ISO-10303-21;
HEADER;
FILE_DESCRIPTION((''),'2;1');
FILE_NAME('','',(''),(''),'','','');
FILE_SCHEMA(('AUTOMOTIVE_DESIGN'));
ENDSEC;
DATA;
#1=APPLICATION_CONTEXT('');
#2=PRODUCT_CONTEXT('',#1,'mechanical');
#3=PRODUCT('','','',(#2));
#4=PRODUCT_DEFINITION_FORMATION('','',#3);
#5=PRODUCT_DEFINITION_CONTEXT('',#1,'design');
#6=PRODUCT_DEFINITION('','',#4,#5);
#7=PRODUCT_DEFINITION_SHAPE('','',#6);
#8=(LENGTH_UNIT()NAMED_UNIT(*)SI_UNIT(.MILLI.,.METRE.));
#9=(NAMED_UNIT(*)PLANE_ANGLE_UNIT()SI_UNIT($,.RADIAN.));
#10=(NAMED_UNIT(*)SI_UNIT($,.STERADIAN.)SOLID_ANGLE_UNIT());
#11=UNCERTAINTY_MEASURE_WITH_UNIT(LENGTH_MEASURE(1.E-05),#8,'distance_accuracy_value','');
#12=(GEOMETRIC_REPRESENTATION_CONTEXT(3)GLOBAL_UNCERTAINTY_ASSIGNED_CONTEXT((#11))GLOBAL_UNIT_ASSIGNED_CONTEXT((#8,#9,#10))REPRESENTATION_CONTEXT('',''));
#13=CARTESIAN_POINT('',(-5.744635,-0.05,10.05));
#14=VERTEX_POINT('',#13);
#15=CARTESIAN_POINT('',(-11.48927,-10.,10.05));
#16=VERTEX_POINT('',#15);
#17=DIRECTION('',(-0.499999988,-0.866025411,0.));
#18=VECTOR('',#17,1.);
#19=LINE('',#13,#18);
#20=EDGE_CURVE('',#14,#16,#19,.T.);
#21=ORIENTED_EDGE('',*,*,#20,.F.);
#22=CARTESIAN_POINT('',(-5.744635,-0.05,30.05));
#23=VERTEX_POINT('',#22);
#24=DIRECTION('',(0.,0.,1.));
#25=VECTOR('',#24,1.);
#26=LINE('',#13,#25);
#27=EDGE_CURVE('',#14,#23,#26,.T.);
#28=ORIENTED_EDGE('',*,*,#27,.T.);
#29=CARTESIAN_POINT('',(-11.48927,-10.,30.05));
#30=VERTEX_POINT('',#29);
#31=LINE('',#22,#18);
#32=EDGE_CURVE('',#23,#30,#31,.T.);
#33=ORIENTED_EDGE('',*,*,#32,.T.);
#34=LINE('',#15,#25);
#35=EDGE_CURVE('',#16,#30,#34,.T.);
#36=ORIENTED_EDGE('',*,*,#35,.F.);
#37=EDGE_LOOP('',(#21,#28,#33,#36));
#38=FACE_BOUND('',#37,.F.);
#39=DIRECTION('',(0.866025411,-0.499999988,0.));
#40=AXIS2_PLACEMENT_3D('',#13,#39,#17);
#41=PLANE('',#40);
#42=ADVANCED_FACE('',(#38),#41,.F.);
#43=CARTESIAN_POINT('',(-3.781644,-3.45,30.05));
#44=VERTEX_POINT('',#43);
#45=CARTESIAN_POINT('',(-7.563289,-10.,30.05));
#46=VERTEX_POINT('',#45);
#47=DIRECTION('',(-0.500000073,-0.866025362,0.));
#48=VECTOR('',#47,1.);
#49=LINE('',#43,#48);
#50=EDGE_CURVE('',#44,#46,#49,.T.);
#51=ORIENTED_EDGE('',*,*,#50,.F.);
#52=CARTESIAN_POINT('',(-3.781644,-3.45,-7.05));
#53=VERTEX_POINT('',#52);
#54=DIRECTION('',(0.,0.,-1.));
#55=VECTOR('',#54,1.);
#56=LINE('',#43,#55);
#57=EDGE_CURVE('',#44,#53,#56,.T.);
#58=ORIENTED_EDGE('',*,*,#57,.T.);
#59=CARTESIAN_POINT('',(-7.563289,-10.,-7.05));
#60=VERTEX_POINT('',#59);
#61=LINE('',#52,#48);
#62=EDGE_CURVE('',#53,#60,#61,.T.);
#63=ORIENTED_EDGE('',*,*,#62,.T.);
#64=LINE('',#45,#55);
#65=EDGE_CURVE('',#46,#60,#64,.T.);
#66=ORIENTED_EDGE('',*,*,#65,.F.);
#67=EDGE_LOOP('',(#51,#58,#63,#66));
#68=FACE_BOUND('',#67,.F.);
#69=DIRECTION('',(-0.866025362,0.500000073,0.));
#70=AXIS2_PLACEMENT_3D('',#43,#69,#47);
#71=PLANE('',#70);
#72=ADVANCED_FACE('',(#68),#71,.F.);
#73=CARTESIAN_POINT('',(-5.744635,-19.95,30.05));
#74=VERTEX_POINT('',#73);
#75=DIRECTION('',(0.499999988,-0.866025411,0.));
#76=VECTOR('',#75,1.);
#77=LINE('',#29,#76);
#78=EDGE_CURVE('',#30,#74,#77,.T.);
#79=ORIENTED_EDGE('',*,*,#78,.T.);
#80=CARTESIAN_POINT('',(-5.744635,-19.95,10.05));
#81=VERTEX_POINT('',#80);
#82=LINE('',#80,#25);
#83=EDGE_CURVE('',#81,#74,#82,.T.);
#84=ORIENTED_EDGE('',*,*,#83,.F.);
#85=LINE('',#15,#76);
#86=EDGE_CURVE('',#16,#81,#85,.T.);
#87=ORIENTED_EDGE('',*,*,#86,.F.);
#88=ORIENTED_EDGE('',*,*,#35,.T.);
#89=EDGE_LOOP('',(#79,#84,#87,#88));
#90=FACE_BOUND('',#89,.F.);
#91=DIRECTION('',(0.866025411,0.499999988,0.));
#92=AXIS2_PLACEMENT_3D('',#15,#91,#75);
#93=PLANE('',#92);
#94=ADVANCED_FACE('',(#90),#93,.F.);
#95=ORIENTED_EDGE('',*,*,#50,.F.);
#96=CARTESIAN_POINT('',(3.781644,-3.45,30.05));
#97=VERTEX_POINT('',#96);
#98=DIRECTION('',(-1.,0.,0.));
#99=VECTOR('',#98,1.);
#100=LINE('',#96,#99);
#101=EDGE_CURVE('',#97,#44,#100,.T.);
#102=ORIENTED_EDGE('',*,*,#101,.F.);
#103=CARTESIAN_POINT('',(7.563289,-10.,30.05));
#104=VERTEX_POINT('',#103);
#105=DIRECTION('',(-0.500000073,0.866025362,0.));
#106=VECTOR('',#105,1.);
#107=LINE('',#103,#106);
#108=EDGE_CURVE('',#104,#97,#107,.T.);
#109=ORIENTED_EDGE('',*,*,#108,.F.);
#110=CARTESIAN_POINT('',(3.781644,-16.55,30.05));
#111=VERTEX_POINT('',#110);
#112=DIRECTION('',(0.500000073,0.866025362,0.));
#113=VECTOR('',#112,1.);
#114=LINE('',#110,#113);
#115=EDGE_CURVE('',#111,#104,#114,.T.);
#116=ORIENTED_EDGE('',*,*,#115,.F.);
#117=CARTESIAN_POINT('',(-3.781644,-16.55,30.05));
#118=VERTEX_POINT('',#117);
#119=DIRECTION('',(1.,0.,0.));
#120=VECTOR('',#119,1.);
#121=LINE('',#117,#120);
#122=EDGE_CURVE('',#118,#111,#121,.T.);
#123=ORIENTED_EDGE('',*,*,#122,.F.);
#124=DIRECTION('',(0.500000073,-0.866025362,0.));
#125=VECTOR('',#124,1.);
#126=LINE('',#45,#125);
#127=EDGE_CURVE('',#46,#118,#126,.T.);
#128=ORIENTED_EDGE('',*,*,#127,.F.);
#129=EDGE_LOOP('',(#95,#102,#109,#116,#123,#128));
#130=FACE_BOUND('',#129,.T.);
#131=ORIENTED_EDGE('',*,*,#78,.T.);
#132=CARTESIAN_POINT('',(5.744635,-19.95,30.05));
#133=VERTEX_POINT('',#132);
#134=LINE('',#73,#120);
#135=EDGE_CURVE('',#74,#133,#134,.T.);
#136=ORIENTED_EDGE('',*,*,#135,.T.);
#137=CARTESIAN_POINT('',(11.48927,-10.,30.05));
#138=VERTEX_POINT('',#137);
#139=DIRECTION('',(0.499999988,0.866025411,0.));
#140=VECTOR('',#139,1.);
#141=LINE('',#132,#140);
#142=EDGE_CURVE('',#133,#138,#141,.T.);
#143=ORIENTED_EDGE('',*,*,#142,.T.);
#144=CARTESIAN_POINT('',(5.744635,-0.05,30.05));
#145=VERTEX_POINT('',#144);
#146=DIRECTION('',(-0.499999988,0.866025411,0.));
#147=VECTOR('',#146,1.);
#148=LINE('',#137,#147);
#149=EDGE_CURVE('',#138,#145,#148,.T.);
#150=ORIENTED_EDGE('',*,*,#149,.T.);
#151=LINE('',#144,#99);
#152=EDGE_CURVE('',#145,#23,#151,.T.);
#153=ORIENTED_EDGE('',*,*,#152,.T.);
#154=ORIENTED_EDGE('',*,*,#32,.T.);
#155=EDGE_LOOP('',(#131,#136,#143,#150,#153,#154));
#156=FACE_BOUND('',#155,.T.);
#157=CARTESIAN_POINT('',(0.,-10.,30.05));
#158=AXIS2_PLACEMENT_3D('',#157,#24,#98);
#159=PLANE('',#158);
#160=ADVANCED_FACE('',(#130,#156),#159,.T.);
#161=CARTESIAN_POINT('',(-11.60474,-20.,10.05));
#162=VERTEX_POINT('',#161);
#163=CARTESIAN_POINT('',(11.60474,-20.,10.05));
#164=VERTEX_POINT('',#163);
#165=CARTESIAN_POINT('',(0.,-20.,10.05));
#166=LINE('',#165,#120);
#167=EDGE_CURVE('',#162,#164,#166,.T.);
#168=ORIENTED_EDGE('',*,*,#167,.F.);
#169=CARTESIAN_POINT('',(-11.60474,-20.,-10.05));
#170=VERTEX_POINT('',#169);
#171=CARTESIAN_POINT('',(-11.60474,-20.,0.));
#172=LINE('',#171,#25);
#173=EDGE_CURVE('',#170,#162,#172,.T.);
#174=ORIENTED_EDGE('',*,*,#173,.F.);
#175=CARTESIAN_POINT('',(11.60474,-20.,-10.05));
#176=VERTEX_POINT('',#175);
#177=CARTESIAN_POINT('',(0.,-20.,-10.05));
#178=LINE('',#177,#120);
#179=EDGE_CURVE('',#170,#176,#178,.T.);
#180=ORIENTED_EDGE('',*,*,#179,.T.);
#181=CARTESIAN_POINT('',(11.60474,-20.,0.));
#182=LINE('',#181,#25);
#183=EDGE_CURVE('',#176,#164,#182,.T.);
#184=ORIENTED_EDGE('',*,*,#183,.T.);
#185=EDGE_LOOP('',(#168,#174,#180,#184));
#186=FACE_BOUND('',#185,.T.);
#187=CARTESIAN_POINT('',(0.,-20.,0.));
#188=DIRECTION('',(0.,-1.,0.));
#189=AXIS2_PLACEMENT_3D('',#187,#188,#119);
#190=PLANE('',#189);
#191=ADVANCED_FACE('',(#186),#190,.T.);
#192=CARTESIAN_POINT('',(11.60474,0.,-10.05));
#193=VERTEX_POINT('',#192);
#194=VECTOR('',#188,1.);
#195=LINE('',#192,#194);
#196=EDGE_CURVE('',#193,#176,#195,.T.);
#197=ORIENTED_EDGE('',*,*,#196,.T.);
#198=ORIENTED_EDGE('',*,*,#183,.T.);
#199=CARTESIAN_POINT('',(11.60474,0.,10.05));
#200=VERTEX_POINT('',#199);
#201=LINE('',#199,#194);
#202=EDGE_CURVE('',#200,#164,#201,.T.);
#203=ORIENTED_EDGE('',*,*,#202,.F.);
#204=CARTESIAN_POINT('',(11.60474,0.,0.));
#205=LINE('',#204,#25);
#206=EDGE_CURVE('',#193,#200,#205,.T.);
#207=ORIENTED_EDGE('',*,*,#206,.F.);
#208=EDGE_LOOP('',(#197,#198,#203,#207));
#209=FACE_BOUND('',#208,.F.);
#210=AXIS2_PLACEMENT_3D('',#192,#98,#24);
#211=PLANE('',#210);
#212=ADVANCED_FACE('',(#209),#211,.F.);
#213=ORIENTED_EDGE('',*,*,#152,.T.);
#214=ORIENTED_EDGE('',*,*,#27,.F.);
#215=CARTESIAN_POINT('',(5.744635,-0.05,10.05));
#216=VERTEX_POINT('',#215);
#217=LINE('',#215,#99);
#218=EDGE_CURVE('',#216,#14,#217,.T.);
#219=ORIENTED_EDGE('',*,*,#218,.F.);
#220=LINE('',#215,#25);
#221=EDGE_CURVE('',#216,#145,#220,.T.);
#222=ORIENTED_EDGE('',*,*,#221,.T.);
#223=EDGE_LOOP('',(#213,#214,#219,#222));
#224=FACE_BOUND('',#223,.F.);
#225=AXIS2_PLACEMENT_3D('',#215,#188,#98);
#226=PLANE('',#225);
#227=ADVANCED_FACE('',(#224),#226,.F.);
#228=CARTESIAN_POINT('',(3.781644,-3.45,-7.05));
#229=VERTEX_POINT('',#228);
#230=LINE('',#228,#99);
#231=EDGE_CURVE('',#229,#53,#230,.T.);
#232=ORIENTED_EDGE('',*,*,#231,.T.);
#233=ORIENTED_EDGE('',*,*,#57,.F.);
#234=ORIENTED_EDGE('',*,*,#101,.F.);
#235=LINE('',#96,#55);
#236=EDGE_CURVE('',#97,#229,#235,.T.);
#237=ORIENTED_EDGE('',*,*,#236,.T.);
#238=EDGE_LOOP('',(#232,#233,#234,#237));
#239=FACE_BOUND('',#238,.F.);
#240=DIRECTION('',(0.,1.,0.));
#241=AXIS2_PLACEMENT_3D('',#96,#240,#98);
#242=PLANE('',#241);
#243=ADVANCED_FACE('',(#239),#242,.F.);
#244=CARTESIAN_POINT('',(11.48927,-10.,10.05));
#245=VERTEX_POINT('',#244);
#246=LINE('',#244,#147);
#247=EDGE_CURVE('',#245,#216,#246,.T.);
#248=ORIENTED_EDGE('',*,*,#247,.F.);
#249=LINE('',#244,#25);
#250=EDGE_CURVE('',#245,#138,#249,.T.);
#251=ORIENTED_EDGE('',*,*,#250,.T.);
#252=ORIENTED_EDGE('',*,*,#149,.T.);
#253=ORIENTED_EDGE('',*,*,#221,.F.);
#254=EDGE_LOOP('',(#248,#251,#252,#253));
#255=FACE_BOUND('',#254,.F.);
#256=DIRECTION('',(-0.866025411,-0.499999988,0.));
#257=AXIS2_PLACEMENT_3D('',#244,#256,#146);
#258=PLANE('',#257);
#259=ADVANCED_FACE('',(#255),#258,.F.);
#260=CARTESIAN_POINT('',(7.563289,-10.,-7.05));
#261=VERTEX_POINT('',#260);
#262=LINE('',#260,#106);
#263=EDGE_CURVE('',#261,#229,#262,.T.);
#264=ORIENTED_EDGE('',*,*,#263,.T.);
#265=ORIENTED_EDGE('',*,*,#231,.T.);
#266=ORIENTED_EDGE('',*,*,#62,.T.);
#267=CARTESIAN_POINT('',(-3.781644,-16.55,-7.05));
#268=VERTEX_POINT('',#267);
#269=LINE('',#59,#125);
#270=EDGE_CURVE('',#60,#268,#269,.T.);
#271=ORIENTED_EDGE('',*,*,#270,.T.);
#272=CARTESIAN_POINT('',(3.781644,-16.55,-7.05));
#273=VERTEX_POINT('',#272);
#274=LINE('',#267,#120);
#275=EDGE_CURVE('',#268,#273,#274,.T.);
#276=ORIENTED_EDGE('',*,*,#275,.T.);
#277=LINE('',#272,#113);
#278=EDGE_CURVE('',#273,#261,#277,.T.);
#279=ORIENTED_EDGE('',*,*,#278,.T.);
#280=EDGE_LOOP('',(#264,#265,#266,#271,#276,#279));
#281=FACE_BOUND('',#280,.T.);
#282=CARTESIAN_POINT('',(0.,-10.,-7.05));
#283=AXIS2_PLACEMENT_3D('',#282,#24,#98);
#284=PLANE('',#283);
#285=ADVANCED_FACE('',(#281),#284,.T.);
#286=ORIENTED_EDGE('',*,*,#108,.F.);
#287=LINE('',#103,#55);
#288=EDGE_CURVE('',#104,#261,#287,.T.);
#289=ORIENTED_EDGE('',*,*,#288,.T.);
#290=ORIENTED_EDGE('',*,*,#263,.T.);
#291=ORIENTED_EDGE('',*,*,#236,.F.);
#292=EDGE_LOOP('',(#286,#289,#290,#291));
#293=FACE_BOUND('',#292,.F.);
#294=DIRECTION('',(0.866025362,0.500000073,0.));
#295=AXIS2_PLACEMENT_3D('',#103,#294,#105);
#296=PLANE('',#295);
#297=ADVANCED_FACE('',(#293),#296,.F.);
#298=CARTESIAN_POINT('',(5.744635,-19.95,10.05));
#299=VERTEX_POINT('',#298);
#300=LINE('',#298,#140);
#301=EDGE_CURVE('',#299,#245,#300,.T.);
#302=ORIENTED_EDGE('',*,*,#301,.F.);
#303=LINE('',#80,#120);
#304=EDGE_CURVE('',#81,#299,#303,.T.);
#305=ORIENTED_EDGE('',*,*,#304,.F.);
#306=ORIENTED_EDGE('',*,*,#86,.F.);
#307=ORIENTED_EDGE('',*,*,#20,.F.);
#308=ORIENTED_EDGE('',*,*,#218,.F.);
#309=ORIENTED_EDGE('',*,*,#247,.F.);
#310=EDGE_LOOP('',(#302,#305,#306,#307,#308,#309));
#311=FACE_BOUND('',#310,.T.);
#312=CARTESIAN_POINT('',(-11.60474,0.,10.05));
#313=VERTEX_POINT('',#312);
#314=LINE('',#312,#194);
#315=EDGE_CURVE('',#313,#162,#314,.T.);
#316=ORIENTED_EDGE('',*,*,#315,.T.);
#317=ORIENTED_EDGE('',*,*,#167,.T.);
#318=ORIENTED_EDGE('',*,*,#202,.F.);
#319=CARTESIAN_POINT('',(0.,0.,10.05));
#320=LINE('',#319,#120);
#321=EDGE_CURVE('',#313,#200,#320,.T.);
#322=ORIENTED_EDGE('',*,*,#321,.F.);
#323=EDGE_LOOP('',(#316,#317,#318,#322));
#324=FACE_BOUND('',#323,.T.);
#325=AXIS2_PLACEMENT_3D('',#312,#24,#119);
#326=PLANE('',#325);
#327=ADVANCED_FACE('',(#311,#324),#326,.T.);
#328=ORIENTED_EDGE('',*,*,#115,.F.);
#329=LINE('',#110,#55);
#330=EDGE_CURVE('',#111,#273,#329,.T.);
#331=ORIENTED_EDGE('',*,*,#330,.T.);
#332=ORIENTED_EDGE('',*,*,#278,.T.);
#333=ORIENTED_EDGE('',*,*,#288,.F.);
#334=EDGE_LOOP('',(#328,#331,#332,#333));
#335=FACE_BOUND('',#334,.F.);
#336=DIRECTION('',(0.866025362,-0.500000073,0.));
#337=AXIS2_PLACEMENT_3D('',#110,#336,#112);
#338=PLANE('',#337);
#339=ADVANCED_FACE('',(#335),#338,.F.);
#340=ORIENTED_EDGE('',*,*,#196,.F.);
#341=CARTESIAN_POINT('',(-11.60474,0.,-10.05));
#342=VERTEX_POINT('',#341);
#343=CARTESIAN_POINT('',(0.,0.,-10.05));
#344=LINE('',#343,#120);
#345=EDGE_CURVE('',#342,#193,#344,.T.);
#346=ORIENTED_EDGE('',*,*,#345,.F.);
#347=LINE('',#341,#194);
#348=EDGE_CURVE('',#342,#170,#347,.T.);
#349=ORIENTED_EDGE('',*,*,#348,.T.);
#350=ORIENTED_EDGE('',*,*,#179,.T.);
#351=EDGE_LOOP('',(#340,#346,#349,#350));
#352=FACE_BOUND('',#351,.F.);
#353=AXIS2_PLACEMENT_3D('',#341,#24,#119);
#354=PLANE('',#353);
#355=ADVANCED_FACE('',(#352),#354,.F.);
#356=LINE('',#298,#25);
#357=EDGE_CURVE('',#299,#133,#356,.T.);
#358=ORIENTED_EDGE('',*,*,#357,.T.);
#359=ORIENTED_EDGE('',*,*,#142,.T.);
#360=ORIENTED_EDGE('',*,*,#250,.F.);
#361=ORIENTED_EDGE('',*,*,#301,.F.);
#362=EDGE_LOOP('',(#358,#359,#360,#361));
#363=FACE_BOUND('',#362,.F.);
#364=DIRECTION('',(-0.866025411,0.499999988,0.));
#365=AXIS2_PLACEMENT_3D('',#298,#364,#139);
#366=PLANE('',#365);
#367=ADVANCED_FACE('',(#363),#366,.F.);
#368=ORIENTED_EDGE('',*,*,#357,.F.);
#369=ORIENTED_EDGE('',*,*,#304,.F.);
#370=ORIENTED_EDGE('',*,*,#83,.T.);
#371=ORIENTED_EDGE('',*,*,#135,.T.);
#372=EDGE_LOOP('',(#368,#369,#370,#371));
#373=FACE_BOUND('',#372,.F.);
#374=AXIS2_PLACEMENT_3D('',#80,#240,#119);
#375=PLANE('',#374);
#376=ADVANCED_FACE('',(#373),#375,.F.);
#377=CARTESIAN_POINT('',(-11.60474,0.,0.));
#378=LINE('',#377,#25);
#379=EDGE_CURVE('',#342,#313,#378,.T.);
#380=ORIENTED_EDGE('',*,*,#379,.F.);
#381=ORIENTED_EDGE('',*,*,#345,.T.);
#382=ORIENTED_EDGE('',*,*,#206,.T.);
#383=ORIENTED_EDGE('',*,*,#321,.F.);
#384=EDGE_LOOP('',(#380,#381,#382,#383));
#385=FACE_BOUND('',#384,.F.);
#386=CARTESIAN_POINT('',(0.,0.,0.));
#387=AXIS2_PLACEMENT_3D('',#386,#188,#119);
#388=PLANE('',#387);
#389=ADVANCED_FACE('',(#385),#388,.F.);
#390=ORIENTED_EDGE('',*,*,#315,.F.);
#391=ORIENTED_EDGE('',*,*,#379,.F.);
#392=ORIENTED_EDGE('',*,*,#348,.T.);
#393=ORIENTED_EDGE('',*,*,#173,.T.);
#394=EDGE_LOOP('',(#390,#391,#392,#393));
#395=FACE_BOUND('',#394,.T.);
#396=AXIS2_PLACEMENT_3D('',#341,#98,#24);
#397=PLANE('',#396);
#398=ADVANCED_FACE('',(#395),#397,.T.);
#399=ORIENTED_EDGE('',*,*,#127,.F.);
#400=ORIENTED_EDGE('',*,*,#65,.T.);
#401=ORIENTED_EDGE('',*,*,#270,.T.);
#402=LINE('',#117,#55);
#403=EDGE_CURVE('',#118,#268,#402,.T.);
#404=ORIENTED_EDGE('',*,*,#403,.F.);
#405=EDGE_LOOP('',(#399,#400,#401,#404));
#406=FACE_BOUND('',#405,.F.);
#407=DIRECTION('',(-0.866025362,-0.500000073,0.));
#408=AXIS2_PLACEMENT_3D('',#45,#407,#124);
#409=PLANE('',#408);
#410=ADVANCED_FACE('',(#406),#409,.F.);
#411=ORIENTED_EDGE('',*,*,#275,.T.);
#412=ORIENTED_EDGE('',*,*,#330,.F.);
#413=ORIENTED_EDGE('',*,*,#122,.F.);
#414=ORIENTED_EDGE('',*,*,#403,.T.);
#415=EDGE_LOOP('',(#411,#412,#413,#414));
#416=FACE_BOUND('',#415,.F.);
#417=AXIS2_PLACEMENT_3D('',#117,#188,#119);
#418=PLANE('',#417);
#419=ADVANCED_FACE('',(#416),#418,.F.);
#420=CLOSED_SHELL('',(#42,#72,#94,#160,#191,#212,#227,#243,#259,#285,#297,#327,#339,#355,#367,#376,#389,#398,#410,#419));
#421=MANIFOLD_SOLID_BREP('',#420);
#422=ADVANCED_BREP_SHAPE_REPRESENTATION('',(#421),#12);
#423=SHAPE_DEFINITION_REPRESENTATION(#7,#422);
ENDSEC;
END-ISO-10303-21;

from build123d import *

# Parameters (mm, degrees)
SKETCH_W     = 23.20948
SKETCH_H     = 20.1
PAD_DEPTH    = 20
PAD001_DEPTH = 20
POCKET_DEPTH = 37.1


with BuildPart() as part:
    # Sketch → Pad (new body)
    with BuildSketch(Plane.XZ):
        Rectangle(SKETCH_W, SKETCH_H)
    extrude(amount=PAD_DEPTH)

    # Sketch001 (on DatumPlane) → Pad001 (join)
    with BuildSketch(Plane(origin=(0, 0, 10.05), x_dir=(-1, 0, 0), z_dir=(0, 0, 1))):
        Polygon((-5.744635, 19.95), (-11.48927, 10), (-5.744635, 0.05), (5.744635, 0.05), (11.48927, 10), (5.744635, 19.95), align=None)
    extrude(amount=PAD001_DEPTH)

    # Sketch002 (on Face13 of Pad001) → Pocket (cut)
    with BuildSketch(Plane(origin=(0, 0, 30.05), x_dir=(-1, 0, 0), z_dir=(0, 0, 1))):
        Polygon((3.781644, 16.55), (-3.781644, 16.55), (-7.563289, 10), (-3.781644, 3.45), (3.781644, 3.45), (7.563289, 10), align=None)
    extrude(amount=-POCKET_DEPTH, mode=Mode.SUBTRACT)


solid = part.part
